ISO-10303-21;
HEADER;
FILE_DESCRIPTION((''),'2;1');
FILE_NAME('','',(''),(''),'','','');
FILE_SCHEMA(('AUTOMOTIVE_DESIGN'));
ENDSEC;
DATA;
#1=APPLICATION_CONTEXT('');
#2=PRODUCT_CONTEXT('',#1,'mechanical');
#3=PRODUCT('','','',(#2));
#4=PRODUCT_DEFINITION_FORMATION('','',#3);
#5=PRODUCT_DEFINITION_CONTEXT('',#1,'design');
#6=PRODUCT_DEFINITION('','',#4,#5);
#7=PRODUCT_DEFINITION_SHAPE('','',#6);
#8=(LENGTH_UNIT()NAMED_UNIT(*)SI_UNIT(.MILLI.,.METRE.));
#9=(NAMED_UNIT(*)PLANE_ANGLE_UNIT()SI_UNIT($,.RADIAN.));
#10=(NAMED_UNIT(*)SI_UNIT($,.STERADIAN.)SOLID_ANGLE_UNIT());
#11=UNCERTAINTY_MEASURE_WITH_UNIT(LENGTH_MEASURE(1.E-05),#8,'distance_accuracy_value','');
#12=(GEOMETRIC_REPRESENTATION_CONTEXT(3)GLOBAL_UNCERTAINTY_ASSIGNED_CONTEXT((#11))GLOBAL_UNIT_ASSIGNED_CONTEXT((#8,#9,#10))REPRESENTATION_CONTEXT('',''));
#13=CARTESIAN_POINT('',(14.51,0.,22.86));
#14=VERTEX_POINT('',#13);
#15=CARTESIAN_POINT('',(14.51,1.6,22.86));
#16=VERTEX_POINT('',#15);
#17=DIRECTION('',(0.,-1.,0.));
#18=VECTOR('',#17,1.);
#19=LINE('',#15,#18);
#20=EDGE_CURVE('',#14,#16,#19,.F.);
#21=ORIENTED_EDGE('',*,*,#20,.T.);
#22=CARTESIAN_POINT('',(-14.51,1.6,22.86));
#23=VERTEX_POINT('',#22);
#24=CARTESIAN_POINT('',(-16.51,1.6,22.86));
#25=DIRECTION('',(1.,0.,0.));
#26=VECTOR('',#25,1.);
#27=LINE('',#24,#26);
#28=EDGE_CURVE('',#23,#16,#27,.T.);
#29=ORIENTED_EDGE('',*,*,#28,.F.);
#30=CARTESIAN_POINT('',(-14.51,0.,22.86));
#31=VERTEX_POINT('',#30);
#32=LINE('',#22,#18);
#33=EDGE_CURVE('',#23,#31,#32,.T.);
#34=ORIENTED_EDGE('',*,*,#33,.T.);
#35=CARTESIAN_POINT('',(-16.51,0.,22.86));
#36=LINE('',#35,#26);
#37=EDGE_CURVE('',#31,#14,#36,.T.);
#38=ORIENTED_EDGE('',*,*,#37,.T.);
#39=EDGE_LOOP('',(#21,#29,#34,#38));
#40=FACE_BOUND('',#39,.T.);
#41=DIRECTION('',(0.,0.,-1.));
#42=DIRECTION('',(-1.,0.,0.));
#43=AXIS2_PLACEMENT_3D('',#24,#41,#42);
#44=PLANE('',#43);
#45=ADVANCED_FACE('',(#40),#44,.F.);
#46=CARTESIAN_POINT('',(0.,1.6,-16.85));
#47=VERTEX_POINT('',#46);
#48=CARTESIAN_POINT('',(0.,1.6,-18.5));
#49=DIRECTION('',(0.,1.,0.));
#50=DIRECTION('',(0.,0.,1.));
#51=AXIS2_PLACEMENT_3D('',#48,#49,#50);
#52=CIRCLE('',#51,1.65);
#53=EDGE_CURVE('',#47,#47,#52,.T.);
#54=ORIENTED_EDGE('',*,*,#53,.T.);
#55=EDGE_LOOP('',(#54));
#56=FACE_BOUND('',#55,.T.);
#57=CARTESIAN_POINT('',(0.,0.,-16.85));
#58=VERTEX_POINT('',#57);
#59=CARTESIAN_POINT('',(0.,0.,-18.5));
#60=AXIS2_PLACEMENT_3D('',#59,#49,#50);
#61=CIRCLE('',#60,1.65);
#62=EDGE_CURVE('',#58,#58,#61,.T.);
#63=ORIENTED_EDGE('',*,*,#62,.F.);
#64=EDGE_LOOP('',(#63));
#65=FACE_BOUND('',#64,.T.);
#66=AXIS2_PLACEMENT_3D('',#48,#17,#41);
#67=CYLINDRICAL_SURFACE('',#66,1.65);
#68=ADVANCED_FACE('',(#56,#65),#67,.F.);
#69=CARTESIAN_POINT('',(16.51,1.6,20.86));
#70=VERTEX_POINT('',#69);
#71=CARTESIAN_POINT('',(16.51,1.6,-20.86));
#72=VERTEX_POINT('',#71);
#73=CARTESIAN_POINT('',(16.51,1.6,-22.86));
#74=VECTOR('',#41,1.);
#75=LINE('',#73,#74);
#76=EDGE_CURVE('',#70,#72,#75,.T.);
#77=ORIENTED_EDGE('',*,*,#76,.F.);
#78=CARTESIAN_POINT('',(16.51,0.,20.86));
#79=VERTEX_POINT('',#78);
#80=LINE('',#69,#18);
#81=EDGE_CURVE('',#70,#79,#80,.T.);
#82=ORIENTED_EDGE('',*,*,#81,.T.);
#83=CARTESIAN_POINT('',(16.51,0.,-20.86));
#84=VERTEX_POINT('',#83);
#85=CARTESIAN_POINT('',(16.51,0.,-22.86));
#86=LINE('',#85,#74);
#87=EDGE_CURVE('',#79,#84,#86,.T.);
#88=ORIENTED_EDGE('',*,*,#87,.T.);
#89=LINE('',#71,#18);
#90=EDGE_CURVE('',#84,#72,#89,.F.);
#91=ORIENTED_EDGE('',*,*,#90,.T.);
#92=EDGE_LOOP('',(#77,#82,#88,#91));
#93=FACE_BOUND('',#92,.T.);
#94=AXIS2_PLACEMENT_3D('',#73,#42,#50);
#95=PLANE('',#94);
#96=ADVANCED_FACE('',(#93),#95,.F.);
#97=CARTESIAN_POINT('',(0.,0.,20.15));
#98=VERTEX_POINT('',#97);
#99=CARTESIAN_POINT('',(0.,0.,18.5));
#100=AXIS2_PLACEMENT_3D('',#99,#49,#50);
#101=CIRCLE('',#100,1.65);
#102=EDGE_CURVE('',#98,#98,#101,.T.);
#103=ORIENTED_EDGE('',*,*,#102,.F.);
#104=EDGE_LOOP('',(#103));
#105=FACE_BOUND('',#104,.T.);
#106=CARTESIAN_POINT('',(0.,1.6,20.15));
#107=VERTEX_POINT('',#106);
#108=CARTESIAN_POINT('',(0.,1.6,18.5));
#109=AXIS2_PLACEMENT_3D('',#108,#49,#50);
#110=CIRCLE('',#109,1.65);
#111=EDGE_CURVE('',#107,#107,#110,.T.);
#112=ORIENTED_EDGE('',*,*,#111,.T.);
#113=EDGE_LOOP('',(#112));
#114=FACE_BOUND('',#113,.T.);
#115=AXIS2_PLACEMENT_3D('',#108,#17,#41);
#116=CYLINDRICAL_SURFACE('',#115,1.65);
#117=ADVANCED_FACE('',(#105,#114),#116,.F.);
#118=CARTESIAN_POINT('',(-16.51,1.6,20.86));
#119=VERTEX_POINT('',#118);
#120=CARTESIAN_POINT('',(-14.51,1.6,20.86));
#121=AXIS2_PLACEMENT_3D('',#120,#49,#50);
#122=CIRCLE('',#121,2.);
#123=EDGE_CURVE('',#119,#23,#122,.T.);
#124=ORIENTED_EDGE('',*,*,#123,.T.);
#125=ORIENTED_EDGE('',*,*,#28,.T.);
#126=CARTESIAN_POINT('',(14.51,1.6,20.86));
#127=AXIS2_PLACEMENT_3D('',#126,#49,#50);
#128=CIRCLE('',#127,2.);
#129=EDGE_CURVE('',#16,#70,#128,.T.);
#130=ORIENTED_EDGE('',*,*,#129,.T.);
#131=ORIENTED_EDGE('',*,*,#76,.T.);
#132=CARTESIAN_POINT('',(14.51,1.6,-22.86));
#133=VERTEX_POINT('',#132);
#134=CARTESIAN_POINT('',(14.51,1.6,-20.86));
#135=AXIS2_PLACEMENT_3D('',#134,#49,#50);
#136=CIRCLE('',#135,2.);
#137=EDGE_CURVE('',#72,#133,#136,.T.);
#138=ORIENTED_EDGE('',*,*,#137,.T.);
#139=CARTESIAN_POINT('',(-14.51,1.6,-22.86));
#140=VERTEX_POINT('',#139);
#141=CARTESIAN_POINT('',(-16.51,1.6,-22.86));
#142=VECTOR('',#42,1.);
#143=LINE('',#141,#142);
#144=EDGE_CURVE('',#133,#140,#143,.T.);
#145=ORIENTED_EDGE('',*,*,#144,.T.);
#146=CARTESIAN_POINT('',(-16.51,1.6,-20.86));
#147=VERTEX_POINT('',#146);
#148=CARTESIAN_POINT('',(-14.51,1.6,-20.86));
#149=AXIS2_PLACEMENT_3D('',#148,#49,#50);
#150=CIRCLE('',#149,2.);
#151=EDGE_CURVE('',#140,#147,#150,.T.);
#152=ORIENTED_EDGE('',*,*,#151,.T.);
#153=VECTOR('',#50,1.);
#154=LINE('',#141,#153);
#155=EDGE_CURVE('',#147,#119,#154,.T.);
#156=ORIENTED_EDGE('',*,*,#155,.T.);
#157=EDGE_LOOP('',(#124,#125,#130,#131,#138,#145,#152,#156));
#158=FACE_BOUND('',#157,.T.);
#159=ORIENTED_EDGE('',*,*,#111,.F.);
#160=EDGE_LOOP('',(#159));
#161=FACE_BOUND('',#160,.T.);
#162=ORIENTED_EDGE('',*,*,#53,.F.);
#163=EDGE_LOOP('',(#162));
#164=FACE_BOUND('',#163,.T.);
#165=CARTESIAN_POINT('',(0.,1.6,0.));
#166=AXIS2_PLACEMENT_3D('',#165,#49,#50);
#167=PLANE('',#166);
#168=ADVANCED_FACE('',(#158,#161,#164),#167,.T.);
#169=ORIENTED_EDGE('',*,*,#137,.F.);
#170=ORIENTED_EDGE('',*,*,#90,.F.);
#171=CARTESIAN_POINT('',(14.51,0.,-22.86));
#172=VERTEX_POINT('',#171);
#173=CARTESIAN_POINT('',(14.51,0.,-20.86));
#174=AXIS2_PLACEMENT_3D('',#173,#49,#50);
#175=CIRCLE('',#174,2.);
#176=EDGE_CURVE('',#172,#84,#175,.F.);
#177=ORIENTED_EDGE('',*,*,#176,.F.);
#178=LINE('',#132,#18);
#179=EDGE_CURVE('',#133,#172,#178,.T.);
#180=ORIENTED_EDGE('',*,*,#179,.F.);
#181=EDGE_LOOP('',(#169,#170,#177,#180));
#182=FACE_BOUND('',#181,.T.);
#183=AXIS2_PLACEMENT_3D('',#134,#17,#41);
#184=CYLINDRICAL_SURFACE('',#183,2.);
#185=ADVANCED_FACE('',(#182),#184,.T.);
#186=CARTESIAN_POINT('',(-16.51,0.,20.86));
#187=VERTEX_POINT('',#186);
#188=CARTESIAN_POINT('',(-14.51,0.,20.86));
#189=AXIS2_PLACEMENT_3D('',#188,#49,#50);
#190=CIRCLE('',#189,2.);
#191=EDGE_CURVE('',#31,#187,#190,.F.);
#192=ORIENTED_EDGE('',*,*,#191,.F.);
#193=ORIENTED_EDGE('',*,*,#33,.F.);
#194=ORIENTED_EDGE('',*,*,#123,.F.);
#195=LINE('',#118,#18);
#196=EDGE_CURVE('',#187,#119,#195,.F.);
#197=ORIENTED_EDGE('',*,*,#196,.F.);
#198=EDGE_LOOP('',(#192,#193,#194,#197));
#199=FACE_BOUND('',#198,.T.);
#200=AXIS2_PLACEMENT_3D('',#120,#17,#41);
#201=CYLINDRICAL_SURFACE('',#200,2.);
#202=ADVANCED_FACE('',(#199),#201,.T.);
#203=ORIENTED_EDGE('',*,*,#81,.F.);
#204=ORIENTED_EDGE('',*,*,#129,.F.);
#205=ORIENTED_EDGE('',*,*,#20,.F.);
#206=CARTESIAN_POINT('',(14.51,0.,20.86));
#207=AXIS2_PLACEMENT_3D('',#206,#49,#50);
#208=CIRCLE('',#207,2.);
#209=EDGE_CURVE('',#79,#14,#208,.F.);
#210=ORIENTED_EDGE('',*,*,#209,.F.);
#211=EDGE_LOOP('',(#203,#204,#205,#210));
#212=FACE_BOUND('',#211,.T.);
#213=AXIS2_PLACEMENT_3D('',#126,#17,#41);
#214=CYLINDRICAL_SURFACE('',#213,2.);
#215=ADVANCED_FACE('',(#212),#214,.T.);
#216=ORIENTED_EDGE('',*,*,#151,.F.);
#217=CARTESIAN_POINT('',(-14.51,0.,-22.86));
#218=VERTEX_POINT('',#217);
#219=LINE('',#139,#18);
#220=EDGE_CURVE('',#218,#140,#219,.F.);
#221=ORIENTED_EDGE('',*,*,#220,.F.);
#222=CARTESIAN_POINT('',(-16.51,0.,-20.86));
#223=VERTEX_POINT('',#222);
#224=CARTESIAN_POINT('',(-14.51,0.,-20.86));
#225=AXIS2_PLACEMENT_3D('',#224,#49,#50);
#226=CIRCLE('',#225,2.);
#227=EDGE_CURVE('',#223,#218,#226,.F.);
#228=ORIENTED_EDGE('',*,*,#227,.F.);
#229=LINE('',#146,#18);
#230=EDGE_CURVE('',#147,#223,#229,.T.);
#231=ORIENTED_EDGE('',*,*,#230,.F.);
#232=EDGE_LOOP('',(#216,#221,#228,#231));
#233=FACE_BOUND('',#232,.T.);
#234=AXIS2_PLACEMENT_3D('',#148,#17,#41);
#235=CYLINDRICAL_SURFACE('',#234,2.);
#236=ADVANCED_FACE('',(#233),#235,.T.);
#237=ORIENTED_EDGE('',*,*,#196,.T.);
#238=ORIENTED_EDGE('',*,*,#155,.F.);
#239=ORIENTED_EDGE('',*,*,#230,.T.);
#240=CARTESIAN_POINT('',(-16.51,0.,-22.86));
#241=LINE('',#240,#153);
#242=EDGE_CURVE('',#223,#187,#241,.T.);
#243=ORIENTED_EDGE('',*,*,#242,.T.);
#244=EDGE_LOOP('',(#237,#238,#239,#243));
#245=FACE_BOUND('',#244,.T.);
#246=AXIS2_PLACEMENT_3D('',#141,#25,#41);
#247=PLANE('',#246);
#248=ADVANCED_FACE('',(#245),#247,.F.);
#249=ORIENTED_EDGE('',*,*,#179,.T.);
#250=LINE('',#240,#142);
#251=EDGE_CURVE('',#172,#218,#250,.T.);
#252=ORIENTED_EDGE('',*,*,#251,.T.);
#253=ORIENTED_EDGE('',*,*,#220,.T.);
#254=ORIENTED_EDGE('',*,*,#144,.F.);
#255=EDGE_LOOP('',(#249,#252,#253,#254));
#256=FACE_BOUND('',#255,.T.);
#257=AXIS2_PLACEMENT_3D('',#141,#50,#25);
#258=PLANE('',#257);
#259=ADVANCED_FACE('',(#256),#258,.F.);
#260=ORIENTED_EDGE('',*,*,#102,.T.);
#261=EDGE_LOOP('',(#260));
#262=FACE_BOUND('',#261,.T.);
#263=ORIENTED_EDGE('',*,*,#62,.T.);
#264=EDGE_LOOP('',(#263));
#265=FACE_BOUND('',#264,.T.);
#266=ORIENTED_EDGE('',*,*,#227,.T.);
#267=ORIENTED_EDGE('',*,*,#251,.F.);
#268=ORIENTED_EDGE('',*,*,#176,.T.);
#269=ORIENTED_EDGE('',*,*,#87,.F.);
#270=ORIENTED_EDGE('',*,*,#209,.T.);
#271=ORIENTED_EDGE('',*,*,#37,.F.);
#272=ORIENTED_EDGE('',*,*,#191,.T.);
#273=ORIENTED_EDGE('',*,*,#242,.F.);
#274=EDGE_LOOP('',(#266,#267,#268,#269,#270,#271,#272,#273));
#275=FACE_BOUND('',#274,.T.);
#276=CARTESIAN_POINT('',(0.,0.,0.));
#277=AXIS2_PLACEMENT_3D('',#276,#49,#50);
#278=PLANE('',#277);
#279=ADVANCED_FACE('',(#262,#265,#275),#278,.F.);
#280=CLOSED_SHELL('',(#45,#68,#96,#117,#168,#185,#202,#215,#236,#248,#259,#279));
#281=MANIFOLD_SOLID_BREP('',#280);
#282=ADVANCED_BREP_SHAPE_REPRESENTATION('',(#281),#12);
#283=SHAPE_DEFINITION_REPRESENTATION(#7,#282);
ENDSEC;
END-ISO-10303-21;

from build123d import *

# Parameters (mm, degrees)
SKETCH1_W           = 33.02
SKETCH1_H           = 45.72
SKETCH1_R           = 1.65
BOSS_EXTRUDE1_DEPTH = 1.6
FILLET1_R           = 2


with BuildPart() as part:
    # Sketch1 → Boss-Extrude1 (new body)
    with BuildSketch(Plane(origin=(0, 0, 0), x_dir=(1, 0, 0), z_dir=(0, 1, 0))):
        Rectangle(SKETCH1_W, SKETCH1_H)
        with Locations(Location((0, 18.5, 0), (0, 0, 270))):
            Circle(SKETCH1_R, mode=Mode.SUBTRACT)
        with Locations(Location((0, -18.5, 0), (0, 0, 270))):
            Circle(SKETCH1_R, mode=Mode.SUBTRACT)
    extrude(amount=BOSS_EXTRUDE1_DEPTH)

    # Fillet1
    fillet1_edges = [part.edges().sort_by_distance(p)[0] for p in [
        (16.51, 0.8, 22.86),
        (-16.51, 0.8, 22.86),
        (-16.51, 0.8, -22.86),
        (16.51, 0.8, -22.86),
    ]]
    fillet(fillet1_edges, radius=FILLET1_R)


solid = part.part
